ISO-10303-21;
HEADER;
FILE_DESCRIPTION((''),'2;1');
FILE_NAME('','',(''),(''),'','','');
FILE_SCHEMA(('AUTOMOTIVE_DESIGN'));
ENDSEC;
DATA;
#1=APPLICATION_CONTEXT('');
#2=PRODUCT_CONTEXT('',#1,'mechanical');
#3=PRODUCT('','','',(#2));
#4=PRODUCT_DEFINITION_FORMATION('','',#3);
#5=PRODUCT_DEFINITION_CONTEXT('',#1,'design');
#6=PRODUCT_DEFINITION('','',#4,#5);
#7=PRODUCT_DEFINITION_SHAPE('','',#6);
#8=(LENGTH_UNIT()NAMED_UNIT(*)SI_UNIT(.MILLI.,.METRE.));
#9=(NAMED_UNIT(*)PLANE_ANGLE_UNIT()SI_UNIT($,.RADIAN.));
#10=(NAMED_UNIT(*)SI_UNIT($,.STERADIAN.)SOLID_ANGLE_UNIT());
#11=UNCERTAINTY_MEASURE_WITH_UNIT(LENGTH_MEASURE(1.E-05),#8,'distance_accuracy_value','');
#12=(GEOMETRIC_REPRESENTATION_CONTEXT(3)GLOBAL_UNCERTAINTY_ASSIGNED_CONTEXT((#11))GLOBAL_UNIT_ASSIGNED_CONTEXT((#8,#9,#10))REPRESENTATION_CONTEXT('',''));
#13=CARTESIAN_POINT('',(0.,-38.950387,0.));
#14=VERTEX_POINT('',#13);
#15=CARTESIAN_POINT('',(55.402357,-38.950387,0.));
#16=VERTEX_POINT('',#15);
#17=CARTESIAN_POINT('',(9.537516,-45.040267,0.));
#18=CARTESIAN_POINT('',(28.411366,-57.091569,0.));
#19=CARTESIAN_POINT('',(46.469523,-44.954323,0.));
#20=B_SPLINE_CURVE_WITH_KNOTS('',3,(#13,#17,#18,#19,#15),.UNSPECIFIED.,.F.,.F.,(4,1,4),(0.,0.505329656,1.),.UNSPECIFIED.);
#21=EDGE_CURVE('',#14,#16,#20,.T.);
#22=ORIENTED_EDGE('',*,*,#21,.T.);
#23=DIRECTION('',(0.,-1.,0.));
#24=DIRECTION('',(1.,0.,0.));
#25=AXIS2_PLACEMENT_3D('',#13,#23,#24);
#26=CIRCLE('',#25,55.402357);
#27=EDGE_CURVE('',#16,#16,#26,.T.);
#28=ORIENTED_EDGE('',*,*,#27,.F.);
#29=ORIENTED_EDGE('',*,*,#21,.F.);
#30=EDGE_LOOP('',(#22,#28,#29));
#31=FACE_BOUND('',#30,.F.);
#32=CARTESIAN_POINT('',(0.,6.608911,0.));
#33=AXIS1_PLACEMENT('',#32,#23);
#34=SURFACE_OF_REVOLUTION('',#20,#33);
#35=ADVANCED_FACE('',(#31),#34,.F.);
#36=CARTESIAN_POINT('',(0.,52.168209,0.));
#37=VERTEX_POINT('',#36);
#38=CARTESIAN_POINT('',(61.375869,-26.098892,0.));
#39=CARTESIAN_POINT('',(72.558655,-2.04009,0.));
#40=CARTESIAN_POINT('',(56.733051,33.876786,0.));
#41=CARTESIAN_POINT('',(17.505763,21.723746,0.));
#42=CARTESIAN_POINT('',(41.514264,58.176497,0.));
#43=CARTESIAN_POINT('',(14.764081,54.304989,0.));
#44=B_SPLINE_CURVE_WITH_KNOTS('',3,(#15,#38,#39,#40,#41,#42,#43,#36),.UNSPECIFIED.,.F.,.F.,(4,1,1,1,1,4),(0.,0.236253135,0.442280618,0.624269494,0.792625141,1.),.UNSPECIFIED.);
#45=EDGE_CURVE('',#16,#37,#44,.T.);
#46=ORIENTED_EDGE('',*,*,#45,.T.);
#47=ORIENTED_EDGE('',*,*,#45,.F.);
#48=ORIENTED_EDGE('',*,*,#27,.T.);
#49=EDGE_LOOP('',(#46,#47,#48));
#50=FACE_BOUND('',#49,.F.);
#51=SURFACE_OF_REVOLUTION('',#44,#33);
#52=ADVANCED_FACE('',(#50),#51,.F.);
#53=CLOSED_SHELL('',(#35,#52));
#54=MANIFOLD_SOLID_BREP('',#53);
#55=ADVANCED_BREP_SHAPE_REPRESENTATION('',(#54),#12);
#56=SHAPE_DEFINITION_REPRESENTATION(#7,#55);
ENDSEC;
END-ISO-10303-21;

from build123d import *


with BuildPart() as f1:
    # F0 (on Top) → F1 (revolve)
    with BuildSketch(Plane.XY):
        with BuildLine():
            add(Edge.make_bspline(
                [(55.4023571312, -38.9503873885), (61.3758686438, -26.0988918025), (72.5586551093, -2.0400897729), (56.73305142, 33.876785604), (17.5057632814, 21.7237460133), (41.5142637137, 58.1764968036), (14.7640805685, 54.3049889909), (0, 52.1682091057)],
                knots=[0, 0, 0, 0, 0.2362531352, 0.442280618, 0.624269494, 0.7926251408, 1, 1, 1, 1], degree=3))
            Line((0, 52.1682091057), (0, -38.9503873885))
            add(Edge.make_bspline(
                [(0, -38.9503873885), (9.5375161238, -45.04026742), (28.4113661181, -57.091568902), (46.4695226342, -44.9543229965), (55.4023571312, -38.9503873885)],
                knots=[0, 0, 0, 0, 0.5053296559, 1, 1, 1, 1], degree=3))
        make_face()
    revolve(axis=Axis((0, 6.6089108586, 0), (0, -1, 0)))


solid = f1.part
